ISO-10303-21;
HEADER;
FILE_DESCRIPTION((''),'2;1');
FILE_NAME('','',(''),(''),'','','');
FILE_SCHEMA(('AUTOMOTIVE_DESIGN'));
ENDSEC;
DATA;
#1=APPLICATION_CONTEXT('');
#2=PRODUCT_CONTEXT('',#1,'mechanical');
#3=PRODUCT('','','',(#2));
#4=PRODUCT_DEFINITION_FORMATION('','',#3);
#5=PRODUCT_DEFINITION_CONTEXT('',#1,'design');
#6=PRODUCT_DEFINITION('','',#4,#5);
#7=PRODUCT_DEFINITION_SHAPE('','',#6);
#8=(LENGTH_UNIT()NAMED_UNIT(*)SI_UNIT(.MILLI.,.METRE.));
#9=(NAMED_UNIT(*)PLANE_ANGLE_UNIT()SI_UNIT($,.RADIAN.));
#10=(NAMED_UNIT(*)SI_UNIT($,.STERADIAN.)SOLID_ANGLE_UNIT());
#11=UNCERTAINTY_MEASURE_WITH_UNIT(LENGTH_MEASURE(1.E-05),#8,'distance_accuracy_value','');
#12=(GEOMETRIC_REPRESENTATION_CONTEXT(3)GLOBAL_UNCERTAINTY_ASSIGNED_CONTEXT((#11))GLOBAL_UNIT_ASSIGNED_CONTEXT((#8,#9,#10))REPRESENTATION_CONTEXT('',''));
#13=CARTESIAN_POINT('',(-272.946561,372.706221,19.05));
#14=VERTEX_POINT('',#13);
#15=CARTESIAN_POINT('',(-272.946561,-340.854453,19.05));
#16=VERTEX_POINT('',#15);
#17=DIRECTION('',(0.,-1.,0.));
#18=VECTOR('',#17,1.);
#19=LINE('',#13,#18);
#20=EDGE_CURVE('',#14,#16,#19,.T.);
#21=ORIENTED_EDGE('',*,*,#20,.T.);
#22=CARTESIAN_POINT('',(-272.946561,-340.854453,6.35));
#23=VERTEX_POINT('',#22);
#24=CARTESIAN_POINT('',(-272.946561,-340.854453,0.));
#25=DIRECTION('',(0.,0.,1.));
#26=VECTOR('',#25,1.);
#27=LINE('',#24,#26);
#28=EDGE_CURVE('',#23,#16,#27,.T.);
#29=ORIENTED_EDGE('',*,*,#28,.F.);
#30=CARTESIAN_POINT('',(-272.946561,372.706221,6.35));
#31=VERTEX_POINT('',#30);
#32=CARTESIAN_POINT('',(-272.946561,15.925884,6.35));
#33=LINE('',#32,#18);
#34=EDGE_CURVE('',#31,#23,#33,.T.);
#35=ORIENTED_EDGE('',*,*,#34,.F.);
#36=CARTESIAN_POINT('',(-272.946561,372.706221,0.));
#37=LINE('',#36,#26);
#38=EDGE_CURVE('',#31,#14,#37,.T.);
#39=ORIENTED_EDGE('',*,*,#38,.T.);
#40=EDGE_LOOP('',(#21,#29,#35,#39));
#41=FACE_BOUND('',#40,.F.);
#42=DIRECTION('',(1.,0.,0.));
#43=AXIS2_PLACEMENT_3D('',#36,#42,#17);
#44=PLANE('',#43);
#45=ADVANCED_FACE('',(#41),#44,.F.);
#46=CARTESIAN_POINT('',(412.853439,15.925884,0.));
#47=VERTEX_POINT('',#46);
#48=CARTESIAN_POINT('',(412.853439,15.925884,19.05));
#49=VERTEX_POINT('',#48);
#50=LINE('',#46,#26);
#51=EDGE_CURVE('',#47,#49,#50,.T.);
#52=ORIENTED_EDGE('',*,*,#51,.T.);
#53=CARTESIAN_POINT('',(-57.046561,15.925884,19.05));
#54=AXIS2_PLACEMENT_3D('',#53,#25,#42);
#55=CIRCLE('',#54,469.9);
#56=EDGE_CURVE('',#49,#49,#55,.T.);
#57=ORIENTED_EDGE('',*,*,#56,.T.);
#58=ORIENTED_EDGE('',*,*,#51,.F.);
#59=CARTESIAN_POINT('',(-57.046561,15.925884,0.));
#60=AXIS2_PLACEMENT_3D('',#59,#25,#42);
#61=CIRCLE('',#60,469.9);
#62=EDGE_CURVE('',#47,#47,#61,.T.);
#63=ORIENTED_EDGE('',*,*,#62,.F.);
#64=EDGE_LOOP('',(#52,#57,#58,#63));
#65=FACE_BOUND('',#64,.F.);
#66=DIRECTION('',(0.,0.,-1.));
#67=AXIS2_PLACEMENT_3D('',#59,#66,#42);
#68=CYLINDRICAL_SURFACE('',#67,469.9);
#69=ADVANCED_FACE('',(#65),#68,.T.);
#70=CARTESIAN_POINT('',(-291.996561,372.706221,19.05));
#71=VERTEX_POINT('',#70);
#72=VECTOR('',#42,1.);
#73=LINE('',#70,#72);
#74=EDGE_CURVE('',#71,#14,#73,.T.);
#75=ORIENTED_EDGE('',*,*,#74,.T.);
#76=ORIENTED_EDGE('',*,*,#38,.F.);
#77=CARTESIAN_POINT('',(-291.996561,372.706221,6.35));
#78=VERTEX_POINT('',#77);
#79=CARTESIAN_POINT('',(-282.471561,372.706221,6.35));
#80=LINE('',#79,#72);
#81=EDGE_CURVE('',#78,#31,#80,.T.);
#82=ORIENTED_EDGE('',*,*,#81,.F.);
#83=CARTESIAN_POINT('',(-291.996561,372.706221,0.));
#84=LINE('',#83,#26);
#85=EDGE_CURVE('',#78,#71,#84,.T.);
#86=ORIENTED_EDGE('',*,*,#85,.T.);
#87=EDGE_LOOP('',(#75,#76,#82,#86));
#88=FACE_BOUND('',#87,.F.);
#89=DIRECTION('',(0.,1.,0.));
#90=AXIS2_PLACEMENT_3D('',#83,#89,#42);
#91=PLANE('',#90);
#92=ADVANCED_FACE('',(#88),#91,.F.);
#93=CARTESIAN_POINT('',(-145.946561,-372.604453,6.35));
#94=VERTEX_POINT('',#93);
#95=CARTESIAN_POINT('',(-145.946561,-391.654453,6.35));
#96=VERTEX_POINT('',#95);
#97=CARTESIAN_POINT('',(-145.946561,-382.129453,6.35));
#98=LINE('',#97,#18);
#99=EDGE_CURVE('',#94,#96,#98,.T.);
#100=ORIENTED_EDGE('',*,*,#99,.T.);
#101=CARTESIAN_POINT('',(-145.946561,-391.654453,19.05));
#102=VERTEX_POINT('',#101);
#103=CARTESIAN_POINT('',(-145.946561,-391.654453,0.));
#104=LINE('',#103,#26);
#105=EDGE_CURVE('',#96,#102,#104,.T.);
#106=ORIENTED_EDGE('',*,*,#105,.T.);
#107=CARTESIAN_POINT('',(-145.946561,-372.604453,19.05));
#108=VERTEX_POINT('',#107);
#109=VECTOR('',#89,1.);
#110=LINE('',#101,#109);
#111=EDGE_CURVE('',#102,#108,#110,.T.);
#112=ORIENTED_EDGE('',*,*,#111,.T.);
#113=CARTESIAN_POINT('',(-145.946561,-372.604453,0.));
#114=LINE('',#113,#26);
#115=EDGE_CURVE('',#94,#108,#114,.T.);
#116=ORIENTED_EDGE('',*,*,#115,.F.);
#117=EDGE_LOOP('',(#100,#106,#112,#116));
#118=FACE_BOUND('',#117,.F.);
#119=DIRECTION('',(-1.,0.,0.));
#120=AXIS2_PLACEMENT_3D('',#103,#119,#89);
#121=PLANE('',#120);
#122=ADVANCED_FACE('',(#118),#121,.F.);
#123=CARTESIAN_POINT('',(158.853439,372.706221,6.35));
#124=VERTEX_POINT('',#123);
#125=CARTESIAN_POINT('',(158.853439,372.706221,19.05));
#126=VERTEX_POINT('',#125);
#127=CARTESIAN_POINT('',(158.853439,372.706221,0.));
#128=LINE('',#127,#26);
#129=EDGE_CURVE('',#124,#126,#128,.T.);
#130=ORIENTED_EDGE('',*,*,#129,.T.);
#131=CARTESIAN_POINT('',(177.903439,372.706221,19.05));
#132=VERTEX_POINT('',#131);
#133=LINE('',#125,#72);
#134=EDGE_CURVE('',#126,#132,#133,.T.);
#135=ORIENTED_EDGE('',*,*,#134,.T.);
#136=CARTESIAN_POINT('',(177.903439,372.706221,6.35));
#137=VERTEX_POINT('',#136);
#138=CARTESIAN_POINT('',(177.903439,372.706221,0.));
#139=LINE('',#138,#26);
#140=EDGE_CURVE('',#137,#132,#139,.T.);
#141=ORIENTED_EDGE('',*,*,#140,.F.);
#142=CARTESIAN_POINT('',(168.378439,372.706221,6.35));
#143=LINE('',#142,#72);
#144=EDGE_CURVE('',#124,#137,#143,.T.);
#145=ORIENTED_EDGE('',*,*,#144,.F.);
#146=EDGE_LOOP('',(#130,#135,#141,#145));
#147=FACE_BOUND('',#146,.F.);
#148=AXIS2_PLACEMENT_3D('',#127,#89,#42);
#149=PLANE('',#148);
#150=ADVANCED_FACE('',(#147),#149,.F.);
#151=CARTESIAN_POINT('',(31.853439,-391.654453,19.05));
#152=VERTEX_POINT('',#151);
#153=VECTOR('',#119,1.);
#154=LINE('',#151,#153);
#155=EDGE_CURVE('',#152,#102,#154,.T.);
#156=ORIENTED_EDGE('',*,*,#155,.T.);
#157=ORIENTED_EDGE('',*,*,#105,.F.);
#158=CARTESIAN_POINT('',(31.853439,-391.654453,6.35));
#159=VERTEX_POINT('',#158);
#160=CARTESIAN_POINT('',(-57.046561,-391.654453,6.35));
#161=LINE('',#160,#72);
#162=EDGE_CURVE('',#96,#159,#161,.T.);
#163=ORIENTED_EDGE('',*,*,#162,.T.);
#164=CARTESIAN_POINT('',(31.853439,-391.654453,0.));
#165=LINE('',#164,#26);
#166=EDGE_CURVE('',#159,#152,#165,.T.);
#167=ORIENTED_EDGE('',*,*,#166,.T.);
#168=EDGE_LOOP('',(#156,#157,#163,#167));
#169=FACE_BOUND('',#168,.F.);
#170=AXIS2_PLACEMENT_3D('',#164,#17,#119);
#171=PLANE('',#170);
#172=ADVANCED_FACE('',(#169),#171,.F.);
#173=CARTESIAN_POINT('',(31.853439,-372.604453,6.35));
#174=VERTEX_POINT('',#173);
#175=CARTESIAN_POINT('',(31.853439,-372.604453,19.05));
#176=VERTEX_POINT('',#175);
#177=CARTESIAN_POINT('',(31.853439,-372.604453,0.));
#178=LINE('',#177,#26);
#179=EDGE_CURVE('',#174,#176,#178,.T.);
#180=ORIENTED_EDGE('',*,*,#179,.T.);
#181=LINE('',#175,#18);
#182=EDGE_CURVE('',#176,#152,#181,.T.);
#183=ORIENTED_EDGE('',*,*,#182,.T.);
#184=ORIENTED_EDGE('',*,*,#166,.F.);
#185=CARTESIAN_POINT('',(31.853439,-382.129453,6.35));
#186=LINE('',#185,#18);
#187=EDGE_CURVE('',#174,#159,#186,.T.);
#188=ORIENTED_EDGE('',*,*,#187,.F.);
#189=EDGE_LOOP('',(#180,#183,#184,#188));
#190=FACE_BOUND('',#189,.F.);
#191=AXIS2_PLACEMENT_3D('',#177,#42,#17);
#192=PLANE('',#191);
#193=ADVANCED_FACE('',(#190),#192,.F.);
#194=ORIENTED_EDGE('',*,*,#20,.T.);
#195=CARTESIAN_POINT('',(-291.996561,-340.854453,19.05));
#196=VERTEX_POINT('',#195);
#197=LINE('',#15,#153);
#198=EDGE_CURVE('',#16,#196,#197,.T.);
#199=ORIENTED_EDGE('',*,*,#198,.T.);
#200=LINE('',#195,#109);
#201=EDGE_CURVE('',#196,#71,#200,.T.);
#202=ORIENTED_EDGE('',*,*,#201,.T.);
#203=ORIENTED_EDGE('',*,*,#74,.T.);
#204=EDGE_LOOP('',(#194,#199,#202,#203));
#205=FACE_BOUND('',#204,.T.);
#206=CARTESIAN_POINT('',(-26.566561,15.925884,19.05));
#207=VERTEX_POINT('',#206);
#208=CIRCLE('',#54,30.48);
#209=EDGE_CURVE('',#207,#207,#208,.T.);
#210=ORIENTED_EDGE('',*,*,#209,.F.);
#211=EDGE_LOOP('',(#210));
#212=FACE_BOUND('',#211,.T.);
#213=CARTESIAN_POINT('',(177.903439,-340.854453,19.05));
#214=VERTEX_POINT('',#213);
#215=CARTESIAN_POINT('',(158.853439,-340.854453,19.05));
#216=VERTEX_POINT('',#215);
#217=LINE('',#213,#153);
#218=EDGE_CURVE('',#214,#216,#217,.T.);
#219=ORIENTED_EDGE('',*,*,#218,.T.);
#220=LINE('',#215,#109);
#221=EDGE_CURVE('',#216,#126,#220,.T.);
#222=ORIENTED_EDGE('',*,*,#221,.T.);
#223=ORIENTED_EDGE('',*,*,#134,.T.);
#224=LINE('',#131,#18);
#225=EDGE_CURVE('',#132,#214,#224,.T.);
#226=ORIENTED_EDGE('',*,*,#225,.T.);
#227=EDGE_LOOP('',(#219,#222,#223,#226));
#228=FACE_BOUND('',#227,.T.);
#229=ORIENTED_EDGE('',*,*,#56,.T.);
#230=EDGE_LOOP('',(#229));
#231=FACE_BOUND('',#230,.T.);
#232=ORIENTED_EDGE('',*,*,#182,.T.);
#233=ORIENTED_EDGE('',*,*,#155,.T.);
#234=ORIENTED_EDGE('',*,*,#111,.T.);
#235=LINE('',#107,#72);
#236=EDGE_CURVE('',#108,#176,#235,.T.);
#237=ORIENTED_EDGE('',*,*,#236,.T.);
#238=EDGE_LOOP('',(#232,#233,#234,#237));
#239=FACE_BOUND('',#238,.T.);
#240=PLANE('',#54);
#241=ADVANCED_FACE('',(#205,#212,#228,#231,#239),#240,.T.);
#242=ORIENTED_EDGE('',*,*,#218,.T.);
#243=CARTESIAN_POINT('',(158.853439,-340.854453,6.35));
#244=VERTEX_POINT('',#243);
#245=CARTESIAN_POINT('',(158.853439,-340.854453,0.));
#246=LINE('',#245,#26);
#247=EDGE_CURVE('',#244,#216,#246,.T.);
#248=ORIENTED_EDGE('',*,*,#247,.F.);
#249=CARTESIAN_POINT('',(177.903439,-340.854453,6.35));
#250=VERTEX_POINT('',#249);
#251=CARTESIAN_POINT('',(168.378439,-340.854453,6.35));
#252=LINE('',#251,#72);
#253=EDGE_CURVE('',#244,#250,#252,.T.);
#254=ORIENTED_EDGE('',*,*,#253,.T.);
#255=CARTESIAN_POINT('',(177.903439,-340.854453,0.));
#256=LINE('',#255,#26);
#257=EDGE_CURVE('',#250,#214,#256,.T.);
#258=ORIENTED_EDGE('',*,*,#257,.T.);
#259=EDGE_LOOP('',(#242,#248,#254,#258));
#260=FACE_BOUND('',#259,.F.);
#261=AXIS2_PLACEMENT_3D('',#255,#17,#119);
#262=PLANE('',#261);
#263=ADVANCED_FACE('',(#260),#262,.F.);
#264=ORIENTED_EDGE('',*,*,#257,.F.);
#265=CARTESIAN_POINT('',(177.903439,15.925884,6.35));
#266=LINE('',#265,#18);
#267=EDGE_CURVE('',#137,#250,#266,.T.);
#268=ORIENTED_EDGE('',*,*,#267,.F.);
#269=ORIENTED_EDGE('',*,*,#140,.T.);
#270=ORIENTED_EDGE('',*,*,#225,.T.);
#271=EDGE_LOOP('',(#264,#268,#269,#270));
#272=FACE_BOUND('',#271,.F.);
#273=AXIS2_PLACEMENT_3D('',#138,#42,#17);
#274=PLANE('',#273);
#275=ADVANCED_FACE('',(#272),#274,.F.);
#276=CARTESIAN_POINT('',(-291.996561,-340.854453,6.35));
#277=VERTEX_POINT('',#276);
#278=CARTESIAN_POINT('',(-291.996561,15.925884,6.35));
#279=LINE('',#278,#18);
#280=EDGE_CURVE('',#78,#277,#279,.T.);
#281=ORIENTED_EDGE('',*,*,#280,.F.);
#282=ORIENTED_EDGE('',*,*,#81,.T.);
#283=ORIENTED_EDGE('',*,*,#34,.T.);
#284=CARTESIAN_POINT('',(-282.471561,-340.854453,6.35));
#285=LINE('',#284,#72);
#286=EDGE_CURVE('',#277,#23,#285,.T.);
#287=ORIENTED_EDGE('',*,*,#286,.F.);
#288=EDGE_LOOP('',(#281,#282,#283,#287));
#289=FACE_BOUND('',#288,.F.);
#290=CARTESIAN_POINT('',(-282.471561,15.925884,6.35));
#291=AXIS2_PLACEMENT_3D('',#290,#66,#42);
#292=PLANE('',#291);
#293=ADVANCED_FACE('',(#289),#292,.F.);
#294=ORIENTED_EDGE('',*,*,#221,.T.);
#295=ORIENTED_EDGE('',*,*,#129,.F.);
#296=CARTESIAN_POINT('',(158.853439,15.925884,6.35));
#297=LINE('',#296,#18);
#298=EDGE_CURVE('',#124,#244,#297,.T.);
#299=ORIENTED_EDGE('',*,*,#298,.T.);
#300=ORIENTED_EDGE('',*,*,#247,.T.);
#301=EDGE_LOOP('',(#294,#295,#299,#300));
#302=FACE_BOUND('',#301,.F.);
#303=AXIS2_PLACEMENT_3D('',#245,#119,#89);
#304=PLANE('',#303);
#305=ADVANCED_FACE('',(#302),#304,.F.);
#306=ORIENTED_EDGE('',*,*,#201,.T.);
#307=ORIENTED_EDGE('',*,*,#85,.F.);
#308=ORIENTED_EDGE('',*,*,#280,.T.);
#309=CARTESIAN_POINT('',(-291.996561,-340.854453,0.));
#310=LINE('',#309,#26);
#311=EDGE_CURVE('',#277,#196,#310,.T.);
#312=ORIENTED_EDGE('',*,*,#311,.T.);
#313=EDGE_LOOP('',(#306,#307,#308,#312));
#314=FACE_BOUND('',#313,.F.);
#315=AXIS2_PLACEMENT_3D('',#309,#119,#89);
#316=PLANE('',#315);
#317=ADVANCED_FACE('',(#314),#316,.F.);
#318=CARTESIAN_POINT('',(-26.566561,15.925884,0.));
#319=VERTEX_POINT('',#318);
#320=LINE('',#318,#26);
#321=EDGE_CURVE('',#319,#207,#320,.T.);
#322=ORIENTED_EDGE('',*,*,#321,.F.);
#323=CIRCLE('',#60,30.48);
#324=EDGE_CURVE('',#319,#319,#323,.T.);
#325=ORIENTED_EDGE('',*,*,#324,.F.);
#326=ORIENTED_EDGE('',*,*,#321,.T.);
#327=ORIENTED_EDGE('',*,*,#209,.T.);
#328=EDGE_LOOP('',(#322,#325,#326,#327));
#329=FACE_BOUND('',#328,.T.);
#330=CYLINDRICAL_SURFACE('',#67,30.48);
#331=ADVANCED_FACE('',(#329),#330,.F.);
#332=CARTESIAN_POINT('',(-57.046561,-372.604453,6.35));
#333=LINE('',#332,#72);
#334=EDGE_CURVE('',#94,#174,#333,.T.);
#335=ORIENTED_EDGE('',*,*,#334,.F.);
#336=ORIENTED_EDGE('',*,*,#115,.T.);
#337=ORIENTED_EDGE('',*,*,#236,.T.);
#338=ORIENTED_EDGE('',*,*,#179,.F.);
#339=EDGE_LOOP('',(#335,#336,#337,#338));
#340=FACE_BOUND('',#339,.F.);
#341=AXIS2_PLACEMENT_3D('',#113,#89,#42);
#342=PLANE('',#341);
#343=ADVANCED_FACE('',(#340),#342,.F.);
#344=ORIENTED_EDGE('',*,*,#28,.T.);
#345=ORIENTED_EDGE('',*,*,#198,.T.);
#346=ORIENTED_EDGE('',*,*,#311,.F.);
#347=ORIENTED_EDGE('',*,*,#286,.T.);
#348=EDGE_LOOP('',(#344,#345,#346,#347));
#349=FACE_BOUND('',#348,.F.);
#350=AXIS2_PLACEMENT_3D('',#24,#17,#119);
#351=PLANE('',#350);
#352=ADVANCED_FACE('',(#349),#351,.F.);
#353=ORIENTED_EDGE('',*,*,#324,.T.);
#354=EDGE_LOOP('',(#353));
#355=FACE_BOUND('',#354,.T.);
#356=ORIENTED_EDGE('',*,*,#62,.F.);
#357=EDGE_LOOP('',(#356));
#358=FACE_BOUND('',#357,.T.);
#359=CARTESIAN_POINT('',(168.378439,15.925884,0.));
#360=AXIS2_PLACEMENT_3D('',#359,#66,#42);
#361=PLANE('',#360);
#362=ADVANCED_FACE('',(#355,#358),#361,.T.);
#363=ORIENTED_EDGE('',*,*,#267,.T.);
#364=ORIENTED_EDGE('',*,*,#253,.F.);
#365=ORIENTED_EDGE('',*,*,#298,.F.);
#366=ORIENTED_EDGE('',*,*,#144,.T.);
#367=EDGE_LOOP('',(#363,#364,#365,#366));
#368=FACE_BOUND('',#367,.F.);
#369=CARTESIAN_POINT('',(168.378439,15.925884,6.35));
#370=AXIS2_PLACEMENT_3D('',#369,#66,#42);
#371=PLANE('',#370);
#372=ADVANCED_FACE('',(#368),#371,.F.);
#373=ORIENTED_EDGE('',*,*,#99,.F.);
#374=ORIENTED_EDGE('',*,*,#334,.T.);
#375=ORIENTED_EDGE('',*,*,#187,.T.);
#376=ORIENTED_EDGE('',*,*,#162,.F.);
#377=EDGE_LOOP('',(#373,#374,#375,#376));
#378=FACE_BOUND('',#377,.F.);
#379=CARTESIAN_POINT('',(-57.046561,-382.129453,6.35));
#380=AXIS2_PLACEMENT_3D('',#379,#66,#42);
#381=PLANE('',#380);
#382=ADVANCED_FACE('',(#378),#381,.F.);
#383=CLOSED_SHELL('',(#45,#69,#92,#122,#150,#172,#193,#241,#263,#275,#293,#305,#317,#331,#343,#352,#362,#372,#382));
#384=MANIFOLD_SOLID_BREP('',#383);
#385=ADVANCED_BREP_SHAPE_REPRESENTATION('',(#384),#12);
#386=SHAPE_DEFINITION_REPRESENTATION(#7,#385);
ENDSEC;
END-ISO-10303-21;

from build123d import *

# Parameters (mm, degrees)
F0_R     = 469.9
F0_R_2   = 30.48
F1_DEPTH = 19.05
F2_W     = 19.05
F2_H     = 713.560674
F2_W_2   = 177.8
F2_H_2   = 19.05
F3_DEPTH = 6.35


with BuildPart() as f1:
    # F0 (on Top) → F1 (new body)
    with BuildSketch(Plane.XY):
        with Locations((-57.046561, 15.925884)):
            Circle(F0_R)
        Polygon((-145.946561, -372.604453), (-57.046561, -372.604453), (31.853439, -372.604453), (31.853439, -391.654453), (-57.046561, -391.654453), (-145.946561, -391.654453), align=None, mode=Mode.SUBTRACT)
        Polygon((-291.996561, -330.694453), (-291.996561, 15.925884), (-291.996561, 362.546221), (-291.996561, 372.706221), (-272.946561, 372.706221), (-272.946561, 362.546221), (-272.946561, -330.694453), (-272.946561, -340.854453), (-291.996561, -340.854453), align=None, mode=Mode.SUBTRACT)
        with Locations((-57.046561, 15.925884)):
            Circle(F0_R_2, mode=Mode.SUBTRACT)
        Polygon((177.903439, -340.854453), (158.853439, -340.854453), (158.853439, -330.694453), (158.853439, 362.546221), (158.853439, 372.706221), (177.903439, 372.706221), (177.903439, 362.546221), (177.903439, 15.925884), (177.903439, -330.694453), align=None, mode=Mode.SUBTRACT)
    extrude(amount=F1_DEPTH)

    # F2 (on face) → F3 (join)
    with BuildSketch(Plane(origin=(0, 0, 0), x_dir=(1, 0, 0), z_dir=(0, 0, -1))):
        with Locations((168.378439, -15.925884)):
            Rectangle(F2_W, F2_H)
        with Locations((-282.471561, -15.925884)):
            Rectangle(F2_W, F2_H)
        with Locations((-57.046561, 382.129453)):
            Rectangle(F2_W_2, F2_H_2)
    extrude(amount=-F3_DEPTH)


solid = f1.part
